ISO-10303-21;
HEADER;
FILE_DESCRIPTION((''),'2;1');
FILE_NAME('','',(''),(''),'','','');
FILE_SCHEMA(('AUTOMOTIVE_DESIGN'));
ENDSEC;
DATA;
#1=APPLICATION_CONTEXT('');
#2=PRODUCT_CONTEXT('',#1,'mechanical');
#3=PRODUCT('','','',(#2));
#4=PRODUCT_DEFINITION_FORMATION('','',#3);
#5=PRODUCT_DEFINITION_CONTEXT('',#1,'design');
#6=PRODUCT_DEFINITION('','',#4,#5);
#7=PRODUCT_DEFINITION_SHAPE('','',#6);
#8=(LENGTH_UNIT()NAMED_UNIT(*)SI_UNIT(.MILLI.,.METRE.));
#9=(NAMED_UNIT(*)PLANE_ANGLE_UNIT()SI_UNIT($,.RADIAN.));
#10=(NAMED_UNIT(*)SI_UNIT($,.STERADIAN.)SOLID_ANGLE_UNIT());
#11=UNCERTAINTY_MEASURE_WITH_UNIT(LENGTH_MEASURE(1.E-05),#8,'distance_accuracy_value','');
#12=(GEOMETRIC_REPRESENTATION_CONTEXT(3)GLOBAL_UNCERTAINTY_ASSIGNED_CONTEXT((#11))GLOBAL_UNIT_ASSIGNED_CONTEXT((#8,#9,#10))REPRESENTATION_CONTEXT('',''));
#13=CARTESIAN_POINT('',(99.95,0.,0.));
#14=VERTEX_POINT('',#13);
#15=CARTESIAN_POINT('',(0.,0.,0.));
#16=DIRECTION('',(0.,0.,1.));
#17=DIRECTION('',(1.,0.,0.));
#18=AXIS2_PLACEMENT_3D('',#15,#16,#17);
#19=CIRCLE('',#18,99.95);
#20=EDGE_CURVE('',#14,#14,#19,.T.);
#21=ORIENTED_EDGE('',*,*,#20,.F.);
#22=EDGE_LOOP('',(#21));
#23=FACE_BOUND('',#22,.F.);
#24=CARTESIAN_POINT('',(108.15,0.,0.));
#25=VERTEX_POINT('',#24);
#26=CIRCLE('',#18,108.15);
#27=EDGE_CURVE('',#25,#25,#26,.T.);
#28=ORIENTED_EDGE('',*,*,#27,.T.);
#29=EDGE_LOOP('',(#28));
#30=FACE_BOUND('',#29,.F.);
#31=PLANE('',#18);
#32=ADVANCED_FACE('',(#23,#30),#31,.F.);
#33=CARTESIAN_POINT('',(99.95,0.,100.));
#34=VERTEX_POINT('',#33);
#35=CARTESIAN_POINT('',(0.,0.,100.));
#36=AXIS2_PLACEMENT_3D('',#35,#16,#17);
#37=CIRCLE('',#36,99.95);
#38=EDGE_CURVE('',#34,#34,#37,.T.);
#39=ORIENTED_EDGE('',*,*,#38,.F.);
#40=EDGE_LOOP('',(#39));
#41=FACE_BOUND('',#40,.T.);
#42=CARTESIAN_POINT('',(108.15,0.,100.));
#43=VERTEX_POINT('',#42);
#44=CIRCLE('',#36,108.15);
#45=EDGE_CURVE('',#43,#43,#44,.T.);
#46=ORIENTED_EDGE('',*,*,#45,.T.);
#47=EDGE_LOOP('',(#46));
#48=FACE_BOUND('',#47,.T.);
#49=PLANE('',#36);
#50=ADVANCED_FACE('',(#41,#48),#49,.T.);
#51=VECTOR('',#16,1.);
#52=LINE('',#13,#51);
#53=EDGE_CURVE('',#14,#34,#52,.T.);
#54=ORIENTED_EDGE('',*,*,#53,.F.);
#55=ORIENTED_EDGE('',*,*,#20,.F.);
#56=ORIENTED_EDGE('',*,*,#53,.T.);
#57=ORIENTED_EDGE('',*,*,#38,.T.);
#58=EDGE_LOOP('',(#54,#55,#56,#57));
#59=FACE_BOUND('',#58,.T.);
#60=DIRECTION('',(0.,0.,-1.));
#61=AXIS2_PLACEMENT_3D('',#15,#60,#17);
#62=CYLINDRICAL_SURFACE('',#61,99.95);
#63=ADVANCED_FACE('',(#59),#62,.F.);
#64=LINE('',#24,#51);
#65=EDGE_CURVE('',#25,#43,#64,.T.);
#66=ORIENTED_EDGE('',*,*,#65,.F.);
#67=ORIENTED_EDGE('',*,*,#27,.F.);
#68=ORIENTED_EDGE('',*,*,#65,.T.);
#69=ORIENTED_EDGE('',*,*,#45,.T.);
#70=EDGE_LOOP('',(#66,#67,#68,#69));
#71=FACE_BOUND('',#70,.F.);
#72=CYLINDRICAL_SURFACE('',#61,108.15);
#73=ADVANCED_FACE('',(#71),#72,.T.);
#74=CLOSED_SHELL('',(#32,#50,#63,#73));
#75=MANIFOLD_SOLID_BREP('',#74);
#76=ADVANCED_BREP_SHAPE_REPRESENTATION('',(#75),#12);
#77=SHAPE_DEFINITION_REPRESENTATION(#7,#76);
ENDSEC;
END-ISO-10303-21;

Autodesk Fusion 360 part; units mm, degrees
sketch "スケッチ1" plane through (0, 0, 0) normal (0, 0, 1) x (1, 0, 0)
  circle A0 centre (0, 0) radius 108.15
  circle A1 centre (0, 0) radius 99.95
  dimension "d1" = 216.3
  dimension "d2" = -8.2
extrude "押し出し1" add sketch "スケッチ1" along normal blind 100
